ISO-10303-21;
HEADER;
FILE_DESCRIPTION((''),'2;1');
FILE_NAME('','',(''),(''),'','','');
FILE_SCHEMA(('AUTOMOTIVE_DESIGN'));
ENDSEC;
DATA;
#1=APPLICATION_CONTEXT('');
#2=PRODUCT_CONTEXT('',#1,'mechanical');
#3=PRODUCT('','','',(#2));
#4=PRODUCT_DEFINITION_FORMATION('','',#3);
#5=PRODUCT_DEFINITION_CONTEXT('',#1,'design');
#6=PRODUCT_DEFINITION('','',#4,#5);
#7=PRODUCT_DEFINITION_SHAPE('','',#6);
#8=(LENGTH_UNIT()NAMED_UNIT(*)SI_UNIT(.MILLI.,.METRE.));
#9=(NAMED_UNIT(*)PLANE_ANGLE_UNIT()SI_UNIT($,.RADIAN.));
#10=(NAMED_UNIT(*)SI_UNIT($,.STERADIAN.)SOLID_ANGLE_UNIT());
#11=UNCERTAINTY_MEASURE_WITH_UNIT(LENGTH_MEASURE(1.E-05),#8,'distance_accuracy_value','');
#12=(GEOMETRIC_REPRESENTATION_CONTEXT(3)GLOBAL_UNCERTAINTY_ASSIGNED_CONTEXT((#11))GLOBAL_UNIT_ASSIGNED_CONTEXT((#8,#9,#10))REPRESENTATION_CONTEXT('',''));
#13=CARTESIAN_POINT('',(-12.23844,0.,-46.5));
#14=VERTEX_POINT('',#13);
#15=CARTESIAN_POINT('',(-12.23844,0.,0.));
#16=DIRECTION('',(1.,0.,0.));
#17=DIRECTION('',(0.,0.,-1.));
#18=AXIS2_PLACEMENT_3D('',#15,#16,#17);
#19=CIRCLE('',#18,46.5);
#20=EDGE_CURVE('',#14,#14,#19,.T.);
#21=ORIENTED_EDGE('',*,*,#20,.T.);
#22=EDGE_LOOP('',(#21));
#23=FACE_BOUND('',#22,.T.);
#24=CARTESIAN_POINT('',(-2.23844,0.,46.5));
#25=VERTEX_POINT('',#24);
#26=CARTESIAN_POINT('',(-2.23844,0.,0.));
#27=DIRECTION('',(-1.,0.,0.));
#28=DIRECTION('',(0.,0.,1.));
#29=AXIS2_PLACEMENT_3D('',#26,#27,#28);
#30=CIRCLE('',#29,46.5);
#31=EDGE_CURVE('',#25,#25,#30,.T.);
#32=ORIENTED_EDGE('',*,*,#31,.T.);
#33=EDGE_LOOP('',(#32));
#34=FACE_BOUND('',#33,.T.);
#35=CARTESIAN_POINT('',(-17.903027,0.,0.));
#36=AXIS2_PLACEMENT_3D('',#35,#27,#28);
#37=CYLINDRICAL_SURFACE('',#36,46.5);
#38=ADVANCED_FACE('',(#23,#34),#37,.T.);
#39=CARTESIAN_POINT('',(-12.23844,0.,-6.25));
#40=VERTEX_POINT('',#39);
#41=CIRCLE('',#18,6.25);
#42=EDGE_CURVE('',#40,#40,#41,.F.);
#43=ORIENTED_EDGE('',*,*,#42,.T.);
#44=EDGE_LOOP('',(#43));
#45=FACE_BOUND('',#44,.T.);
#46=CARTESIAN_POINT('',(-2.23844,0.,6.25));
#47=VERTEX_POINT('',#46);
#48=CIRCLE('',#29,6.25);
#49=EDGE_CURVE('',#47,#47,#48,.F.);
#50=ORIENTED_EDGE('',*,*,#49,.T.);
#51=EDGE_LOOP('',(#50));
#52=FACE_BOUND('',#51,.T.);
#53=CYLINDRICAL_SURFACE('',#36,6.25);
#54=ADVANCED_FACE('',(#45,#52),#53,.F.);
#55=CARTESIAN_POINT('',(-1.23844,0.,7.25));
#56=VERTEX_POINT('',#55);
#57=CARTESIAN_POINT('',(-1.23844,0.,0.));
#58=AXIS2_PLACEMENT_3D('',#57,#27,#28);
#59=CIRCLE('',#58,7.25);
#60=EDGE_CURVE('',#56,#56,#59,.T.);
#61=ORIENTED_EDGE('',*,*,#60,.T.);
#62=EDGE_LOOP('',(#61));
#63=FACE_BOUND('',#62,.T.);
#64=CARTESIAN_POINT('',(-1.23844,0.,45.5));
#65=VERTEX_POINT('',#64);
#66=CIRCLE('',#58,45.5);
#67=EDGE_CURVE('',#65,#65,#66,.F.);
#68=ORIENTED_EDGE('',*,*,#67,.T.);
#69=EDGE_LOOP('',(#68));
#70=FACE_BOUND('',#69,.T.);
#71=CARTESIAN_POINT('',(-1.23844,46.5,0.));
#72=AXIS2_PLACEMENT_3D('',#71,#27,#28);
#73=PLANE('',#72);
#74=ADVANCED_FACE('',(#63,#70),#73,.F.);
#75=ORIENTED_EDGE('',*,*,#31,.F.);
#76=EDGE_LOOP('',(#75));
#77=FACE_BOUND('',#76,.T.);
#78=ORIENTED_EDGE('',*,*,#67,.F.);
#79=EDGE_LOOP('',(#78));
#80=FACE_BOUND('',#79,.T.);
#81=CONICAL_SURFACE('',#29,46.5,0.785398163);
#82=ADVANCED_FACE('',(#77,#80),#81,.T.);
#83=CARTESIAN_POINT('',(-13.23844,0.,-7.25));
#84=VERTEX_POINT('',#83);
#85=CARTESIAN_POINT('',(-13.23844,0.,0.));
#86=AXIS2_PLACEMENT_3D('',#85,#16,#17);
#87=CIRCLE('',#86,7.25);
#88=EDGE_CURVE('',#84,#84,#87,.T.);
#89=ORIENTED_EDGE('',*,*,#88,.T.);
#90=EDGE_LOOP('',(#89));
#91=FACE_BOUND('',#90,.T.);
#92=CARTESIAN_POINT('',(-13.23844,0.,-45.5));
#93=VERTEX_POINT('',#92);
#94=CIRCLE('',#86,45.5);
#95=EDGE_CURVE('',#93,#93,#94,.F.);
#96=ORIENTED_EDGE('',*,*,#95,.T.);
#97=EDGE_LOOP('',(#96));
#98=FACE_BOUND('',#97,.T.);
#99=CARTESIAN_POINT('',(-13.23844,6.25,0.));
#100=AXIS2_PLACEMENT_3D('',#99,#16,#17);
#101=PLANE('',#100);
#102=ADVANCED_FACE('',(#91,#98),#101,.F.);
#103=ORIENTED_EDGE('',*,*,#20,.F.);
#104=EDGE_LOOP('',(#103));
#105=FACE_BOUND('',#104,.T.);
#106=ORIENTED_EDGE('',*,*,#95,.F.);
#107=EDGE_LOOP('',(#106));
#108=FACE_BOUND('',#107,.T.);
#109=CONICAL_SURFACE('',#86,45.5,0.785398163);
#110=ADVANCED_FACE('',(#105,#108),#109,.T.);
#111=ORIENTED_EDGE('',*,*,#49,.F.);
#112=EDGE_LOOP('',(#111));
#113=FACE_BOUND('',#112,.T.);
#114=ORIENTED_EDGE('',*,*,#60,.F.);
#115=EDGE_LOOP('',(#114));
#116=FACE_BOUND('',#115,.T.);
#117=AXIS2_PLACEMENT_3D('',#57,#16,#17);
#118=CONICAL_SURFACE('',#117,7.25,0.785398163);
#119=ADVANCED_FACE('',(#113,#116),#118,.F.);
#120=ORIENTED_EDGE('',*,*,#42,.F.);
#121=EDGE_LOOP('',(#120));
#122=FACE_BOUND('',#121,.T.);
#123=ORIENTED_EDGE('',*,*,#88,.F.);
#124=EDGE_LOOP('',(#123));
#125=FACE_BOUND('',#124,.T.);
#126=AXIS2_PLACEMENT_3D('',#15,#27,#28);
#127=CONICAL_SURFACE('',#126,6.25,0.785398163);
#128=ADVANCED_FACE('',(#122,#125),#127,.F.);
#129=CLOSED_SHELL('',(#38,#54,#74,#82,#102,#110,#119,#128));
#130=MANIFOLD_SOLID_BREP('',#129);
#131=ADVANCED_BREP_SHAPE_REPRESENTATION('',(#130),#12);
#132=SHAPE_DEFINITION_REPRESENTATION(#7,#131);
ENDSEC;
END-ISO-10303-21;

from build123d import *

# Parameters (mm, degrees)
SKETCH1_W        = 12
SKETCH1_H        = 40.25
SFAZOWANIE1_SIZE = 1


with BuildPart() as part:
    # Sketch1 → Base-Revolve (revolve)
    with BuildSketch(Plane.XY, mode=Mode.PRIVATE) as base_revolve_sk:
        with Locations((-7.238439554, 26.375)):
            Rectangle(SKETCH1_W, SKETCH1_H)
    revolve(base_revolve_sk.sketch.rotate(Axis((-17.903027245, 0, 0), (1, 0, 0)), 90), axis=Axis((-17.903027245, 0, 0), (1, 0, 0)))

    # Sfazowanie1
    sfazowanie1_edges = [part.edges().sort_by_distance(p)[0] for p in [
        (-1.238439554, 0, -6.25),
        (-1.238439554, 0, -46.5),
        (-13.238439554, 0, -46.5),
        (-13.238439554, 0, -6.25),
    ]]
    chamfer(sfazowanie1_edges, length=SFAZOWANIE1_SIZE)


solid = part.part
